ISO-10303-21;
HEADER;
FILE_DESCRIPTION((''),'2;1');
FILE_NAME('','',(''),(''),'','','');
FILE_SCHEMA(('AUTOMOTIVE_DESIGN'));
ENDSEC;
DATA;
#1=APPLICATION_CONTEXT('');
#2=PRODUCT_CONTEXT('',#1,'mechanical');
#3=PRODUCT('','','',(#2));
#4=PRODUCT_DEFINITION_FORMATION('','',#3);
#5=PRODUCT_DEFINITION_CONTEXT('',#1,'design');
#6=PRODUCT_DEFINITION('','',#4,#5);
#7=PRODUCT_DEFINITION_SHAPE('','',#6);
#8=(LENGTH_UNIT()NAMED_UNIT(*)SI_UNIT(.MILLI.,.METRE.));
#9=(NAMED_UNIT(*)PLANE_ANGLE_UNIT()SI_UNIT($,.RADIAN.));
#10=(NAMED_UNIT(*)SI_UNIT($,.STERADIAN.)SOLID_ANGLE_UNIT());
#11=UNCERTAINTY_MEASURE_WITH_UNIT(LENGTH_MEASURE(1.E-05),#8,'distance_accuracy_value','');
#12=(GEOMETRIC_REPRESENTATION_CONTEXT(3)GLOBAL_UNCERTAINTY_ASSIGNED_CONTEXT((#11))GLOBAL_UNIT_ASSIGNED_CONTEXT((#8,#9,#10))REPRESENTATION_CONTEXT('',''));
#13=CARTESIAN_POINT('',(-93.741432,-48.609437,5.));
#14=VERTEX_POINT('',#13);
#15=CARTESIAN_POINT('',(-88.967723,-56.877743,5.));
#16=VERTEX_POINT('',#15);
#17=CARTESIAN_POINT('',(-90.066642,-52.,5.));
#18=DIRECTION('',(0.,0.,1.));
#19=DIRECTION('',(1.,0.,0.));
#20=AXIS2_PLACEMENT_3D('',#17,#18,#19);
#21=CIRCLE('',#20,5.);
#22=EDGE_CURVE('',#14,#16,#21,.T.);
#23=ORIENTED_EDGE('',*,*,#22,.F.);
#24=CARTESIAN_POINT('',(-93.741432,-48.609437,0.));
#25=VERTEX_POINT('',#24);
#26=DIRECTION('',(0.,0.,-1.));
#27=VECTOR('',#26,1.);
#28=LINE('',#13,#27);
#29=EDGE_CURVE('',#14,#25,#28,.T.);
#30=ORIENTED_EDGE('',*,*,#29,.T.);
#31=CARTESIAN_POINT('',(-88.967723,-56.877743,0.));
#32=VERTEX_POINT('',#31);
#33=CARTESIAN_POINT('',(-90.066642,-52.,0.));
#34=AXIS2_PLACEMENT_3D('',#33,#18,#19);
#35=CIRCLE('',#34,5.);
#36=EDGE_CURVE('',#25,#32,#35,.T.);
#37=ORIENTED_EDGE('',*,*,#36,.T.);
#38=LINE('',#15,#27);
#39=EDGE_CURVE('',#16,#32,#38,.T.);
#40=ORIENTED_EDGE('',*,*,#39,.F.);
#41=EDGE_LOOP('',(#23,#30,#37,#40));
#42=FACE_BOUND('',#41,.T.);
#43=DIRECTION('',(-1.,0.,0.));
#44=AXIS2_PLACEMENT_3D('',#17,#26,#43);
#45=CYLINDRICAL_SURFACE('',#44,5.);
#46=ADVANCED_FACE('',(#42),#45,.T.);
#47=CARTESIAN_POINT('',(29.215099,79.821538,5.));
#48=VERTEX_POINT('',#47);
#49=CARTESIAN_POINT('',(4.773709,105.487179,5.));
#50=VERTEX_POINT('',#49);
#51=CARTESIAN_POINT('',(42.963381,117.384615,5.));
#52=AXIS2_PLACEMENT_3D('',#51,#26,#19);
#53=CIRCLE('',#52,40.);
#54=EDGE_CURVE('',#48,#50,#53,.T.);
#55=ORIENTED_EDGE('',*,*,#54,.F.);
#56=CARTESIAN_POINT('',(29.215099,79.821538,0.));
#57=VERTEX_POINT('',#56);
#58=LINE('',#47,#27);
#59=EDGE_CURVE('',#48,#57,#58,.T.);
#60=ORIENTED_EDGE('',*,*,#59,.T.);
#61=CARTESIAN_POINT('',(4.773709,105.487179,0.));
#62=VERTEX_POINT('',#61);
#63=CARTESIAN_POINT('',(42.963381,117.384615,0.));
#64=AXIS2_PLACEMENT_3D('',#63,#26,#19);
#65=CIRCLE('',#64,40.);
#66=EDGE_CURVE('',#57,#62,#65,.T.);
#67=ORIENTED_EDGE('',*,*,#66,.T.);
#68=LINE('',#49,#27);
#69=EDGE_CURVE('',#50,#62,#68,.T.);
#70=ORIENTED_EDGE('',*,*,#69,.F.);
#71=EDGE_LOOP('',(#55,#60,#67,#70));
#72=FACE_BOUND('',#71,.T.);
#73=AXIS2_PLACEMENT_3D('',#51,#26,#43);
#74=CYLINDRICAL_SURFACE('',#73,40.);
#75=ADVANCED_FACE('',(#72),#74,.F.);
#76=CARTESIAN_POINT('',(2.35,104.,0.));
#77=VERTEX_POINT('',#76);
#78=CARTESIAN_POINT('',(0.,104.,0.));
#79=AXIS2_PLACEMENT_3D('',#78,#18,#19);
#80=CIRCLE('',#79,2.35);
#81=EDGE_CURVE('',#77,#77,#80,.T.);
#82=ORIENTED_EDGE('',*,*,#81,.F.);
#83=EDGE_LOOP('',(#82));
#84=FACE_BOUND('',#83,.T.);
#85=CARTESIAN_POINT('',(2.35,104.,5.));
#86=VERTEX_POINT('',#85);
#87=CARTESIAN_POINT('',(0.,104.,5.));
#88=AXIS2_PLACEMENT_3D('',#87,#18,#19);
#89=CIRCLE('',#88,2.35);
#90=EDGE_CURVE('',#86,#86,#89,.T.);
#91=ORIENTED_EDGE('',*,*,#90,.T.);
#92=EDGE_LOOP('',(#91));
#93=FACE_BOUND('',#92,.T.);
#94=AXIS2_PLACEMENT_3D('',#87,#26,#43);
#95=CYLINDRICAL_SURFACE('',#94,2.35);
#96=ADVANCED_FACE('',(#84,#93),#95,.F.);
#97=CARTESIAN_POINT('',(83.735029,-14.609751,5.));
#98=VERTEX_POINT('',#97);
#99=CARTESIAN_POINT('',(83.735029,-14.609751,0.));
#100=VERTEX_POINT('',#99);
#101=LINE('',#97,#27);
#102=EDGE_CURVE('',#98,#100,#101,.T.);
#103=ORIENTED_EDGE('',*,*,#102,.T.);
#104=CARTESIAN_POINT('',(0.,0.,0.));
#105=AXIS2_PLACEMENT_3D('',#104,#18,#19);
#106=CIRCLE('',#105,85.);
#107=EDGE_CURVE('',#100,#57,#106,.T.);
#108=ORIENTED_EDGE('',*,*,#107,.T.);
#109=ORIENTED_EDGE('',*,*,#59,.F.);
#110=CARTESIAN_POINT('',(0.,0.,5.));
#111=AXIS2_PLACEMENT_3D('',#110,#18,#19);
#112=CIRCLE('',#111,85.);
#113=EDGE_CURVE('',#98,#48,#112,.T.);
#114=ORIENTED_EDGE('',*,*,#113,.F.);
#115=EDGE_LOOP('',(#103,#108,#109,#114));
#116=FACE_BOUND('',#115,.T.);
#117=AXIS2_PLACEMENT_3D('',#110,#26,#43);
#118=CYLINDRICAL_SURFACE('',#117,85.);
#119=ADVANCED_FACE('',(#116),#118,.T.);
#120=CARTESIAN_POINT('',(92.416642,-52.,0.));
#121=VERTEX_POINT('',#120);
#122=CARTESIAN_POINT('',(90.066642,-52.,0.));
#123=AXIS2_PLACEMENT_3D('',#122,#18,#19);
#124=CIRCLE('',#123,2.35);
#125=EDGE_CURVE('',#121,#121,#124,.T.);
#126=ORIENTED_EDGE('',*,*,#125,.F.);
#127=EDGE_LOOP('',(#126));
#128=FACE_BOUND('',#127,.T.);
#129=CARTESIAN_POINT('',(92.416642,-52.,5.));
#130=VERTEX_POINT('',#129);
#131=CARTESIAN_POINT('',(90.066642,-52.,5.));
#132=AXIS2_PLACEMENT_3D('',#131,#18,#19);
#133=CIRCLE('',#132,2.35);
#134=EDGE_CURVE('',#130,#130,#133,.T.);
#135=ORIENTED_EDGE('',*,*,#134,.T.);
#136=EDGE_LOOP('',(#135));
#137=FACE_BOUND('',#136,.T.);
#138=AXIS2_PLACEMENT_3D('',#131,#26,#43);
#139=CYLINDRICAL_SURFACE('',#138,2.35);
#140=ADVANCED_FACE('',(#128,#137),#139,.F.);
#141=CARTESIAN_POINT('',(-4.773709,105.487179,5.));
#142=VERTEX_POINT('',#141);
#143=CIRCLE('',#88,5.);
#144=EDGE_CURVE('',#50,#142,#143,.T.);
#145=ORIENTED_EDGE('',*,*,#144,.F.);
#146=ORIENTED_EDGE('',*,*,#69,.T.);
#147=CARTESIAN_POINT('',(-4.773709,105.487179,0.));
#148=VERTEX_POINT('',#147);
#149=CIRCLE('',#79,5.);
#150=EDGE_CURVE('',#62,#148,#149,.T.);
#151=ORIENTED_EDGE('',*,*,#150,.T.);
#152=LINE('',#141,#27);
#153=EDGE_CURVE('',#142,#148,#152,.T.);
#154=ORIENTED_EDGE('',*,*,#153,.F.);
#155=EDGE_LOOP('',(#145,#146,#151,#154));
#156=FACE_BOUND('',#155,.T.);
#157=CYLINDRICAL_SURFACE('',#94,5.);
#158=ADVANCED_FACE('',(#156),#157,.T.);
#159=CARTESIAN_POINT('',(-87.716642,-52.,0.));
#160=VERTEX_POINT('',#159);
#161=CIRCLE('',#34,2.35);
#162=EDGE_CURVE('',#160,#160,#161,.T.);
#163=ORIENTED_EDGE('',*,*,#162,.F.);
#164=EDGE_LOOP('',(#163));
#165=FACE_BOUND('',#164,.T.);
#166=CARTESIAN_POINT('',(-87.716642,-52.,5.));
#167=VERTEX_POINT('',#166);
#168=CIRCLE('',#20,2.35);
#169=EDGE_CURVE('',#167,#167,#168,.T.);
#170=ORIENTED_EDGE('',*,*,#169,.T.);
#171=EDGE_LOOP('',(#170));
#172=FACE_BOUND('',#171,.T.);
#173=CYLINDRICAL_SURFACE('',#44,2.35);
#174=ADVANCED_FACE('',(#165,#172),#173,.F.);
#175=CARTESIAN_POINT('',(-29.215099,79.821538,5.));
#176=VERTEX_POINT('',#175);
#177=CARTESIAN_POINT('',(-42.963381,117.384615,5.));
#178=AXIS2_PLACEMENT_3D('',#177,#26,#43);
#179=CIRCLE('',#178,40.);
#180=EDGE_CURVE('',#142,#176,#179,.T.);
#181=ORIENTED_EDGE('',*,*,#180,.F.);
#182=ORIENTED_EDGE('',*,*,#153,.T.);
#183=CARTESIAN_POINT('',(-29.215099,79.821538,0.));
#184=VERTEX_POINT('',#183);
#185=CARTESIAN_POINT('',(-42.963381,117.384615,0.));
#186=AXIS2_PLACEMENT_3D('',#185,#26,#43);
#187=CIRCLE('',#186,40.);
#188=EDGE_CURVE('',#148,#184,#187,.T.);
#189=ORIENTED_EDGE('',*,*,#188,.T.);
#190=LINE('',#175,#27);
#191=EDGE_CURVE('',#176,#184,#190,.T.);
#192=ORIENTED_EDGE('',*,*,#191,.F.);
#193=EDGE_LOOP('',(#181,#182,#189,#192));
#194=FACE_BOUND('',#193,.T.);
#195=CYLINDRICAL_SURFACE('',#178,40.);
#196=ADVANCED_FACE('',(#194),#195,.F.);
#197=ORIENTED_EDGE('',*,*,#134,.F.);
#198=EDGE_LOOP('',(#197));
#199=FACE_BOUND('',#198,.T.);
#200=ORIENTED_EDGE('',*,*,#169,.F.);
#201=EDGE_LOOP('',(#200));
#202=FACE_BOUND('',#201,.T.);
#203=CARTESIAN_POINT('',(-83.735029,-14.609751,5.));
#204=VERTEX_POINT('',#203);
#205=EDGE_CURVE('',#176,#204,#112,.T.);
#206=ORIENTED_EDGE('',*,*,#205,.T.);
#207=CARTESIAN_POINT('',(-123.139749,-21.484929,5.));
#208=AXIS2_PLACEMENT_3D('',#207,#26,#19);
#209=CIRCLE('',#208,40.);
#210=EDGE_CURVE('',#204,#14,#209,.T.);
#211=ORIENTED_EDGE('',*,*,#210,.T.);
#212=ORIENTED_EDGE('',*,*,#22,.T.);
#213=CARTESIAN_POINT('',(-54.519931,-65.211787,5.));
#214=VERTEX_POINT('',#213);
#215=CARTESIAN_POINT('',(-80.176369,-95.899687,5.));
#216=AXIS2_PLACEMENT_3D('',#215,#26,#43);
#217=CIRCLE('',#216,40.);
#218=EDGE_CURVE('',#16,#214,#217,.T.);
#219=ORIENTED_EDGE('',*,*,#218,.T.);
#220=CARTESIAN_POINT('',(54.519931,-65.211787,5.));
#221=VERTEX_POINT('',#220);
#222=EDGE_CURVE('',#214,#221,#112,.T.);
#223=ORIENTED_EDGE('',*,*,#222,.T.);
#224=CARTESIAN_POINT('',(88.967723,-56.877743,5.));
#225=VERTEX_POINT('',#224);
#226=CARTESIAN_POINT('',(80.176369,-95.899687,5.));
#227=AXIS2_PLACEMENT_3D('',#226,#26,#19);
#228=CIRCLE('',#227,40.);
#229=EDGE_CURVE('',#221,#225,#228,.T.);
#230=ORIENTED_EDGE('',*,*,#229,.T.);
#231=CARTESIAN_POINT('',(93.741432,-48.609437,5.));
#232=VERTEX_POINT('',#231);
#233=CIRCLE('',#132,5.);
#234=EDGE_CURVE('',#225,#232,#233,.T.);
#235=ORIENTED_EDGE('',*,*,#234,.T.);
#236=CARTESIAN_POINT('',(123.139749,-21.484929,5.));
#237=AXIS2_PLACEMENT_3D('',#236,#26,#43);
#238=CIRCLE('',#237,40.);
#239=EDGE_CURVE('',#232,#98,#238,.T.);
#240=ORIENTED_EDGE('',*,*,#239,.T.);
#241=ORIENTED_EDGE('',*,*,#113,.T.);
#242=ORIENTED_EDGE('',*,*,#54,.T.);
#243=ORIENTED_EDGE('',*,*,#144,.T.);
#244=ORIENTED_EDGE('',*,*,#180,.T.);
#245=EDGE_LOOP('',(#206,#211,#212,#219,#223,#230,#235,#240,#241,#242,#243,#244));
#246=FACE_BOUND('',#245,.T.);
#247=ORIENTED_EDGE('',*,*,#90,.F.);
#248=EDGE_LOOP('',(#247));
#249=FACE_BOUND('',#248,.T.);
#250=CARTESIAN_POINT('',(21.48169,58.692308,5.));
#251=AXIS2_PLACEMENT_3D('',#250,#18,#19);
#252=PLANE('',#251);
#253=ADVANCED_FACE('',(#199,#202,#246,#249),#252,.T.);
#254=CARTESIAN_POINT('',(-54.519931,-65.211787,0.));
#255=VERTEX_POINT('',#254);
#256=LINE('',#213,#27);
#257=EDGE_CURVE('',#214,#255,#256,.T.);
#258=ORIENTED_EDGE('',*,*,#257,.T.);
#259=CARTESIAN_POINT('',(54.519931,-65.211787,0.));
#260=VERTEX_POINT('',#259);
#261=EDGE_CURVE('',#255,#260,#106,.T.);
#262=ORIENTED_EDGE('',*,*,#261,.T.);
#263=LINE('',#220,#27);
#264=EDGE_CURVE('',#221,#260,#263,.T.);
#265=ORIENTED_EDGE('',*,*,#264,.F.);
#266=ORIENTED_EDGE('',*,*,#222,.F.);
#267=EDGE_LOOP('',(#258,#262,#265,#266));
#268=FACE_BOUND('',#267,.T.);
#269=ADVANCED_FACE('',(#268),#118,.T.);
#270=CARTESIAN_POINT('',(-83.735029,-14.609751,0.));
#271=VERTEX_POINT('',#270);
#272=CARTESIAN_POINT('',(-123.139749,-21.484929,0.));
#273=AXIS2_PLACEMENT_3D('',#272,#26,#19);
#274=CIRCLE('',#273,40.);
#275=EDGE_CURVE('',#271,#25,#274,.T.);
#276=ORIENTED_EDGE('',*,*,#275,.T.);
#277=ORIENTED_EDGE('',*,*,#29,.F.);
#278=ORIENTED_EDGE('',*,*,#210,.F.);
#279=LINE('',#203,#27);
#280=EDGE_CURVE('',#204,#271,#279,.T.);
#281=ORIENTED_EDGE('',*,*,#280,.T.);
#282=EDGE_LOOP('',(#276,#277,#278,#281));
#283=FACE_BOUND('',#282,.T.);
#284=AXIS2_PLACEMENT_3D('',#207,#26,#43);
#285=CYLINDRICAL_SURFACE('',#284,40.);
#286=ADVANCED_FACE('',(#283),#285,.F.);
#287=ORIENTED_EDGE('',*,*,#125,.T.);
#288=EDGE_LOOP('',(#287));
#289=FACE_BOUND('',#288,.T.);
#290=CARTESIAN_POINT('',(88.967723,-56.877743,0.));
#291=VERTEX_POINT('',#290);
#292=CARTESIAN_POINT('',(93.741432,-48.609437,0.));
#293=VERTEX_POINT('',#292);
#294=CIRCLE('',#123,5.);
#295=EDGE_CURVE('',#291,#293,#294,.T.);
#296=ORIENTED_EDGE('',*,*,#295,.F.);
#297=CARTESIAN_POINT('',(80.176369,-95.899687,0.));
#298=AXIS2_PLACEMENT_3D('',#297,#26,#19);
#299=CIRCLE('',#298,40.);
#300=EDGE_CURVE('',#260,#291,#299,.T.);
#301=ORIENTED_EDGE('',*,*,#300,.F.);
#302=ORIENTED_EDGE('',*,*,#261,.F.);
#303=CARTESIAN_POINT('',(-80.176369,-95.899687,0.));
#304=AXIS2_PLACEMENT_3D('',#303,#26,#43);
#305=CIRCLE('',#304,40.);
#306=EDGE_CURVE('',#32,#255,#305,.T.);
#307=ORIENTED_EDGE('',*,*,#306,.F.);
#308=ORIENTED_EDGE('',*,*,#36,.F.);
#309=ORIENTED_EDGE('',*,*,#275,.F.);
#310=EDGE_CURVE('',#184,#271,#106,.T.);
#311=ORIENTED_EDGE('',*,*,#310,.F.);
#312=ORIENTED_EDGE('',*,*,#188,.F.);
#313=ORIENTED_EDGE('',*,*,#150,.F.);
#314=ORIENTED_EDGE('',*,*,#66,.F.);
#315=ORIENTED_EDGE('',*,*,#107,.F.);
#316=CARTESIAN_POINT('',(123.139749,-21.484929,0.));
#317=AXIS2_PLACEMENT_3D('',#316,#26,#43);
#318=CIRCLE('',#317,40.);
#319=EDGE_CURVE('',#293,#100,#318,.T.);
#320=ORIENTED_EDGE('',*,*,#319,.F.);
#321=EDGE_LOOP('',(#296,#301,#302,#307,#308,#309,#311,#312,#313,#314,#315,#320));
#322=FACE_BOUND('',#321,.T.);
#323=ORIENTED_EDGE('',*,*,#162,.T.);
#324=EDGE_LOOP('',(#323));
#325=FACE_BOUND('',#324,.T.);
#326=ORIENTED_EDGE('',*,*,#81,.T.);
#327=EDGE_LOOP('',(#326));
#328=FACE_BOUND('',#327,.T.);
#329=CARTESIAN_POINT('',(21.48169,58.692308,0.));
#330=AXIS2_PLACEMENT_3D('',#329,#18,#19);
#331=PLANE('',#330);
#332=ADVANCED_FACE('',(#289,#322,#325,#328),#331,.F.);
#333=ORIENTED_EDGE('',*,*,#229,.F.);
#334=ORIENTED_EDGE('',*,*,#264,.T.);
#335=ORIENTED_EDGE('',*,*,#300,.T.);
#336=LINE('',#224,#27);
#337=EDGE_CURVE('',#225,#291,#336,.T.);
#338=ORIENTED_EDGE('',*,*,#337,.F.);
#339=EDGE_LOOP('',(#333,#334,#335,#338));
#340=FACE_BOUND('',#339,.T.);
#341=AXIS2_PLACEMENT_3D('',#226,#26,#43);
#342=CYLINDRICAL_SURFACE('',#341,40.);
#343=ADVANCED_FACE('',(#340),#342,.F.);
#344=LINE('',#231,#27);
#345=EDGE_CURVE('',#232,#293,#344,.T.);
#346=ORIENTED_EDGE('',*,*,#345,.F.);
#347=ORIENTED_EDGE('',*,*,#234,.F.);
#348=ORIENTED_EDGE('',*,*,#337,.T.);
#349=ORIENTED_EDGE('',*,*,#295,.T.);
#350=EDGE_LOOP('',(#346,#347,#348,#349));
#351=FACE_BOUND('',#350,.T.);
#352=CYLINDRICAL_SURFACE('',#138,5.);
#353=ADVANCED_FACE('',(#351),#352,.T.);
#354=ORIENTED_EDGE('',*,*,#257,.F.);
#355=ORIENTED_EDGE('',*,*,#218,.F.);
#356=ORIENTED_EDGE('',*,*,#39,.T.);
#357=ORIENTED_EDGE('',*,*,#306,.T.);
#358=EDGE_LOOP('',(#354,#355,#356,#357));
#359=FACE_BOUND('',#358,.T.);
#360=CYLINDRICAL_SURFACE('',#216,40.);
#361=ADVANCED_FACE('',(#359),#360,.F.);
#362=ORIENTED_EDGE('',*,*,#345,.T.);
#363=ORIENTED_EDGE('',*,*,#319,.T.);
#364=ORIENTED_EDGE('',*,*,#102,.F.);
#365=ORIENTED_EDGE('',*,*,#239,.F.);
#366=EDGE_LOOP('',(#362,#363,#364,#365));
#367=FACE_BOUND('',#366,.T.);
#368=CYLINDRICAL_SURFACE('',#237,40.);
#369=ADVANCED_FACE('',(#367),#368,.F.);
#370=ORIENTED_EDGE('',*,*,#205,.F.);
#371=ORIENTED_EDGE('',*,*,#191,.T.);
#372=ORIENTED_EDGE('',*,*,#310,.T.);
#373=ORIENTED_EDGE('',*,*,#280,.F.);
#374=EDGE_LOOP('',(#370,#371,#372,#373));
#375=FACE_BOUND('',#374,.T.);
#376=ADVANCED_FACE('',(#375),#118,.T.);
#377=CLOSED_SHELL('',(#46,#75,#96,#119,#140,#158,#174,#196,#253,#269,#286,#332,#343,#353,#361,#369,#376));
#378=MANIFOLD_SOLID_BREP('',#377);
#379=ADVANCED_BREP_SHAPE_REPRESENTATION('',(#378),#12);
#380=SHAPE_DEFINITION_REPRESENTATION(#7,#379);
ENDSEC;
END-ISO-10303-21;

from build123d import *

# Parameters (mm, degrees)
SKETCH1_R           = 2.35
BOSS_EXTRUDE1_DEPTH = 5


with BuildPart() as part:
    # Sketch1 → Boss-Extrude1 (new body)
    with BuildSketch(Plane.XY):
        with BuildLine():
            ThreePointArc((-29.215098796, 79.821538462), (-73.612159322, 42.5), (-83.735029475, -14.6097515))
            ThreePointArc((-83.735029475, -14.6097515), (-84.767114048, -32.77832805), (-93.741431686, -48.60943652))
            ThreePointArc((-93.741431686, -48.60943652), (-94.396769013, -54.5), (-88.967722733, -56.877742968))
            ThreePointArc((-88.967722733, -56.877742968), (-70.770421809, -57.021310146), (-54.519930679, -65.211786962))
            ThreePointArc((-54.519930679, -65.211786962), (0, -85), (54.519930679, -65.211786962))
            ThreePointArc((54.519930679, -65.211786962), (70.770421809, -57.021310146), (88.967722733, -56.877742968))
            ThreePointArc((88.967722733, -56.877742968), (94.396769013, -54.5), (93.741431686, -48.60943652))
            ThreePointArc((93.741431686, -48.60943652), (84.767114048, -32.77832805), (83.735029475, -14.6097515))
            ThreePointArc((83.735029475, -14.6097515), (73.612159322, 42.5), (29.215098796, 79.821538462))
            ThreePointArc((29.215098796, 79.821538462), (13.996692239, 89.799638196), (4.773708954, 105.487179487))
            ThreePointArc((4.773708954, 105.487179487), (0, 109), (-4.773708954, 105.487179487))
            ThreePointArc((-4.773708954, 105.487179487), (-13.996692239, 89.799638196), (-29.215098796, 79.821538462))
        make_face()
        with Locations((0, 104)):
            Circle(SKETCH1_R, mode=Mode.SUBTRACT)
        with Locations((90.066641994, -52)):
            Circle(SKETCH1_R, mode=Mode.SUBTRACT)
        with Locations((-90.066641994, -52)):
            Circle(SKETCH1_R, mode=Mode.SUBTRACT)
    extrude(amount=BOSS_EXTRUDE1_DEPTH)


solid = part.part
